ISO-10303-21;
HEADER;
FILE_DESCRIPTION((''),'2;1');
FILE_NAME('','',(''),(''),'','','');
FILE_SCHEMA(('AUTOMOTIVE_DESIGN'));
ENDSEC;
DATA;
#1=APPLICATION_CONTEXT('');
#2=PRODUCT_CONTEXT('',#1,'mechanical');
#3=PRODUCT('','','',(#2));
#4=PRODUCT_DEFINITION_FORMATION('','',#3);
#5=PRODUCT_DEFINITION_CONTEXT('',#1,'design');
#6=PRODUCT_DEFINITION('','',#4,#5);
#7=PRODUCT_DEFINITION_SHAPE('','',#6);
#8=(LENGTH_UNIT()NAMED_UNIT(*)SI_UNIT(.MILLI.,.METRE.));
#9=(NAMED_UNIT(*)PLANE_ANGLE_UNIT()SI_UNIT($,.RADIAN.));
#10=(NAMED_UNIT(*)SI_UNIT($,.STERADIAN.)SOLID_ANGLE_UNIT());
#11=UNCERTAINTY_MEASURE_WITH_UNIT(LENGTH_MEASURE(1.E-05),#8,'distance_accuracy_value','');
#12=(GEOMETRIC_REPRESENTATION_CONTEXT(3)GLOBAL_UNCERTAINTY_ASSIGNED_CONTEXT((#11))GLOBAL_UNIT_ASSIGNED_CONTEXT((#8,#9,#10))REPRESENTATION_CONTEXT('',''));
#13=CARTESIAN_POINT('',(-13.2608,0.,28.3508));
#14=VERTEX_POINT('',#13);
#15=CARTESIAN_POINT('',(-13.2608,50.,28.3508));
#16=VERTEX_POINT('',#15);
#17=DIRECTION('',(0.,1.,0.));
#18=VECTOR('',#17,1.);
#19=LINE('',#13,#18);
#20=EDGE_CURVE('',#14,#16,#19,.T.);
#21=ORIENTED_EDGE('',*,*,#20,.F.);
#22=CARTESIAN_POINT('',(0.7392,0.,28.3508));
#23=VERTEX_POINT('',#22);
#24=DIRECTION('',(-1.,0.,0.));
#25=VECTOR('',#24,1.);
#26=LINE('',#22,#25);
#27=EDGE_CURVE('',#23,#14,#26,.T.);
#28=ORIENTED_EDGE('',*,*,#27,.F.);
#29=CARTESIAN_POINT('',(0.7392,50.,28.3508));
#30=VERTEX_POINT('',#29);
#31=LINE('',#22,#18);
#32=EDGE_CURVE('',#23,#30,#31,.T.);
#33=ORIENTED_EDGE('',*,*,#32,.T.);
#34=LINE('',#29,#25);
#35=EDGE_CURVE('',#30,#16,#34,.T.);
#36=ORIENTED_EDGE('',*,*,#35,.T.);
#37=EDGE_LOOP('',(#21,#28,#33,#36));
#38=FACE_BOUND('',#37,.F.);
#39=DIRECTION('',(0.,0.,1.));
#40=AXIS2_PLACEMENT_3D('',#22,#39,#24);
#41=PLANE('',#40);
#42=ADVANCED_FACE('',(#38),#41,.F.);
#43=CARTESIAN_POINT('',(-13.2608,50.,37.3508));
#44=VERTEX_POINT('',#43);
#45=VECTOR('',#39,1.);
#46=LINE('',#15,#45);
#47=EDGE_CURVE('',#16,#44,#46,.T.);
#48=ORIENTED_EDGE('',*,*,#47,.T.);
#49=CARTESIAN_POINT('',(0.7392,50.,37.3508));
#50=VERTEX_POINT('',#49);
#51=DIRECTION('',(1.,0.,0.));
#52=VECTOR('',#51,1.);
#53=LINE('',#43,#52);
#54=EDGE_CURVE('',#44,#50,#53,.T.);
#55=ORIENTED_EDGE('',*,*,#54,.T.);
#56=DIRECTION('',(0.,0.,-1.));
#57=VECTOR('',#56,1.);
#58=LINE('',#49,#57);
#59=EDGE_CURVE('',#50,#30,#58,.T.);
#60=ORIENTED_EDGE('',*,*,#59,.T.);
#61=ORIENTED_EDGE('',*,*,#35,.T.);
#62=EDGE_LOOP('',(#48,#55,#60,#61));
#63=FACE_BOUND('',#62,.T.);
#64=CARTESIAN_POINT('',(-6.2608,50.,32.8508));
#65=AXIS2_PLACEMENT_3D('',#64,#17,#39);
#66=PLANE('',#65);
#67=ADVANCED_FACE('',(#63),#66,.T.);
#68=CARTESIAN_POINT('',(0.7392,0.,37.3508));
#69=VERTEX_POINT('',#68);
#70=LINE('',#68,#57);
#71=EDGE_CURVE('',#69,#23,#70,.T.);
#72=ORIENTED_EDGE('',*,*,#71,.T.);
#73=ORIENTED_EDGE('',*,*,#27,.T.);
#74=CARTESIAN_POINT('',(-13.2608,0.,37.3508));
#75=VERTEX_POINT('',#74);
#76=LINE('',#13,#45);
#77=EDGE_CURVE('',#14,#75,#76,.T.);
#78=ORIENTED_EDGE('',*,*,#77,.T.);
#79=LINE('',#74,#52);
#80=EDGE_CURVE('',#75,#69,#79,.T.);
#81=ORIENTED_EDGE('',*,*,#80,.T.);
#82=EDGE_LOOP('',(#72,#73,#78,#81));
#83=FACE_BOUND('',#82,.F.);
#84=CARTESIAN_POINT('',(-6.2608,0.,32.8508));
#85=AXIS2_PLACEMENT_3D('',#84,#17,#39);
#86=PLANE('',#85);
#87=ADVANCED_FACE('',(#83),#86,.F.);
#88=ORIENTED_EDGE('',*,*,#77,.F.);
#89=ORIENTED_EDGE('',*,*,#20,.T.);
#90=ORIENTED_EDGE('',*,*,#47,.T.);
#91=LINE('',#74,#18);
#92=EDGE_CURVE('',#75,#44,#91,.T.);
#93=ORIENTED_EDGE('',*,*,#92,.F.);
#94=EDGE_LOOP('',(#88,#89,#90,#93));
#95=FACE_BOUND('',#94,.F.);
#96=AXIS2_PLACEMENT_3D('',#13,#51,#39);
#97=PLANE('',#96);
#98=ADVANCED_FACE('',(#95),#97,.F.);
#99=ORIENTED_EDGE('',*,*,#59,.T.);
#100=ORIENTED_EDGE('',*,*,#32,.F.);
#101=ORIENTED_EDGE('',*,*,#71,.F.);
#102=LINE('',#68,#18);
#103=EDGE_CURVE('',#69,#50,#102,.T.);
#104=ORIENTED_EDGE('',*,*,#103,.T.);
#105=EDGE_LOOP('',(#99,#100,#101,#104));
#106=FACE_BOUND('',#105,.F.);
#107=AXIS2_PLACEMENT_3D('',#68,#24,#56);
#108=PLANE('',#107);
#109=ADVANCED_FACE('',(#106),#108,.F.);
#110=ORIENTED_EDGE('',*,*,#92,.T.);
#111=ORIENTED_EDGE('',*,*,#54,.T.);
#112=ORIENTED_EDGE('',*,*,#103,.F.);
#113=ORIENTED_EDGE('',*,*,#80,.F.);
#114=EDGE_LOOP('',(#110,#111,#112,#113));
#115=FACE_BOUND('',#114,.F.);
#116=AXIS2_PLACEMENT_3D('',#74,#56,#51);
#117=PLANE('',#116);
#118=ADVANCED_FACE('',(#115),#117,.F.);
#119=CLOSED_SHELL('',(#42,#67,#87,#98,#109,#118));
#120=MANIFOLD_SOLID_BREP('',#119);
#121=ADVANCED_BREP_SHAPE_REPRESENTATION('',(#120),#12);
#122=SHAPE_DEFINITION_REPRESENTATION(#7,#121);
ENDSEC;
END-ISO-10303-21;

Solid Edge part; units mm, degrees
sketch "Sketch1" plane through (0, 0, 0) normal (0, -1, 0) x (1, 0, 0)
  line L0 (0.7392, 28.3508) -> (-13.2608, 28.3508)
  line L1 (-13.2608, 28.3508) -> (-13.2608, 37.3508)
  line L2 (-13.2608, 37.3508) -> (0.7392, 37.3508)
  line L3 (0.7392, 37.3508) -> (0.7392, 28.3508)
extrude "Protrusion1" add sketch "Sketch1" against normal blind 50
